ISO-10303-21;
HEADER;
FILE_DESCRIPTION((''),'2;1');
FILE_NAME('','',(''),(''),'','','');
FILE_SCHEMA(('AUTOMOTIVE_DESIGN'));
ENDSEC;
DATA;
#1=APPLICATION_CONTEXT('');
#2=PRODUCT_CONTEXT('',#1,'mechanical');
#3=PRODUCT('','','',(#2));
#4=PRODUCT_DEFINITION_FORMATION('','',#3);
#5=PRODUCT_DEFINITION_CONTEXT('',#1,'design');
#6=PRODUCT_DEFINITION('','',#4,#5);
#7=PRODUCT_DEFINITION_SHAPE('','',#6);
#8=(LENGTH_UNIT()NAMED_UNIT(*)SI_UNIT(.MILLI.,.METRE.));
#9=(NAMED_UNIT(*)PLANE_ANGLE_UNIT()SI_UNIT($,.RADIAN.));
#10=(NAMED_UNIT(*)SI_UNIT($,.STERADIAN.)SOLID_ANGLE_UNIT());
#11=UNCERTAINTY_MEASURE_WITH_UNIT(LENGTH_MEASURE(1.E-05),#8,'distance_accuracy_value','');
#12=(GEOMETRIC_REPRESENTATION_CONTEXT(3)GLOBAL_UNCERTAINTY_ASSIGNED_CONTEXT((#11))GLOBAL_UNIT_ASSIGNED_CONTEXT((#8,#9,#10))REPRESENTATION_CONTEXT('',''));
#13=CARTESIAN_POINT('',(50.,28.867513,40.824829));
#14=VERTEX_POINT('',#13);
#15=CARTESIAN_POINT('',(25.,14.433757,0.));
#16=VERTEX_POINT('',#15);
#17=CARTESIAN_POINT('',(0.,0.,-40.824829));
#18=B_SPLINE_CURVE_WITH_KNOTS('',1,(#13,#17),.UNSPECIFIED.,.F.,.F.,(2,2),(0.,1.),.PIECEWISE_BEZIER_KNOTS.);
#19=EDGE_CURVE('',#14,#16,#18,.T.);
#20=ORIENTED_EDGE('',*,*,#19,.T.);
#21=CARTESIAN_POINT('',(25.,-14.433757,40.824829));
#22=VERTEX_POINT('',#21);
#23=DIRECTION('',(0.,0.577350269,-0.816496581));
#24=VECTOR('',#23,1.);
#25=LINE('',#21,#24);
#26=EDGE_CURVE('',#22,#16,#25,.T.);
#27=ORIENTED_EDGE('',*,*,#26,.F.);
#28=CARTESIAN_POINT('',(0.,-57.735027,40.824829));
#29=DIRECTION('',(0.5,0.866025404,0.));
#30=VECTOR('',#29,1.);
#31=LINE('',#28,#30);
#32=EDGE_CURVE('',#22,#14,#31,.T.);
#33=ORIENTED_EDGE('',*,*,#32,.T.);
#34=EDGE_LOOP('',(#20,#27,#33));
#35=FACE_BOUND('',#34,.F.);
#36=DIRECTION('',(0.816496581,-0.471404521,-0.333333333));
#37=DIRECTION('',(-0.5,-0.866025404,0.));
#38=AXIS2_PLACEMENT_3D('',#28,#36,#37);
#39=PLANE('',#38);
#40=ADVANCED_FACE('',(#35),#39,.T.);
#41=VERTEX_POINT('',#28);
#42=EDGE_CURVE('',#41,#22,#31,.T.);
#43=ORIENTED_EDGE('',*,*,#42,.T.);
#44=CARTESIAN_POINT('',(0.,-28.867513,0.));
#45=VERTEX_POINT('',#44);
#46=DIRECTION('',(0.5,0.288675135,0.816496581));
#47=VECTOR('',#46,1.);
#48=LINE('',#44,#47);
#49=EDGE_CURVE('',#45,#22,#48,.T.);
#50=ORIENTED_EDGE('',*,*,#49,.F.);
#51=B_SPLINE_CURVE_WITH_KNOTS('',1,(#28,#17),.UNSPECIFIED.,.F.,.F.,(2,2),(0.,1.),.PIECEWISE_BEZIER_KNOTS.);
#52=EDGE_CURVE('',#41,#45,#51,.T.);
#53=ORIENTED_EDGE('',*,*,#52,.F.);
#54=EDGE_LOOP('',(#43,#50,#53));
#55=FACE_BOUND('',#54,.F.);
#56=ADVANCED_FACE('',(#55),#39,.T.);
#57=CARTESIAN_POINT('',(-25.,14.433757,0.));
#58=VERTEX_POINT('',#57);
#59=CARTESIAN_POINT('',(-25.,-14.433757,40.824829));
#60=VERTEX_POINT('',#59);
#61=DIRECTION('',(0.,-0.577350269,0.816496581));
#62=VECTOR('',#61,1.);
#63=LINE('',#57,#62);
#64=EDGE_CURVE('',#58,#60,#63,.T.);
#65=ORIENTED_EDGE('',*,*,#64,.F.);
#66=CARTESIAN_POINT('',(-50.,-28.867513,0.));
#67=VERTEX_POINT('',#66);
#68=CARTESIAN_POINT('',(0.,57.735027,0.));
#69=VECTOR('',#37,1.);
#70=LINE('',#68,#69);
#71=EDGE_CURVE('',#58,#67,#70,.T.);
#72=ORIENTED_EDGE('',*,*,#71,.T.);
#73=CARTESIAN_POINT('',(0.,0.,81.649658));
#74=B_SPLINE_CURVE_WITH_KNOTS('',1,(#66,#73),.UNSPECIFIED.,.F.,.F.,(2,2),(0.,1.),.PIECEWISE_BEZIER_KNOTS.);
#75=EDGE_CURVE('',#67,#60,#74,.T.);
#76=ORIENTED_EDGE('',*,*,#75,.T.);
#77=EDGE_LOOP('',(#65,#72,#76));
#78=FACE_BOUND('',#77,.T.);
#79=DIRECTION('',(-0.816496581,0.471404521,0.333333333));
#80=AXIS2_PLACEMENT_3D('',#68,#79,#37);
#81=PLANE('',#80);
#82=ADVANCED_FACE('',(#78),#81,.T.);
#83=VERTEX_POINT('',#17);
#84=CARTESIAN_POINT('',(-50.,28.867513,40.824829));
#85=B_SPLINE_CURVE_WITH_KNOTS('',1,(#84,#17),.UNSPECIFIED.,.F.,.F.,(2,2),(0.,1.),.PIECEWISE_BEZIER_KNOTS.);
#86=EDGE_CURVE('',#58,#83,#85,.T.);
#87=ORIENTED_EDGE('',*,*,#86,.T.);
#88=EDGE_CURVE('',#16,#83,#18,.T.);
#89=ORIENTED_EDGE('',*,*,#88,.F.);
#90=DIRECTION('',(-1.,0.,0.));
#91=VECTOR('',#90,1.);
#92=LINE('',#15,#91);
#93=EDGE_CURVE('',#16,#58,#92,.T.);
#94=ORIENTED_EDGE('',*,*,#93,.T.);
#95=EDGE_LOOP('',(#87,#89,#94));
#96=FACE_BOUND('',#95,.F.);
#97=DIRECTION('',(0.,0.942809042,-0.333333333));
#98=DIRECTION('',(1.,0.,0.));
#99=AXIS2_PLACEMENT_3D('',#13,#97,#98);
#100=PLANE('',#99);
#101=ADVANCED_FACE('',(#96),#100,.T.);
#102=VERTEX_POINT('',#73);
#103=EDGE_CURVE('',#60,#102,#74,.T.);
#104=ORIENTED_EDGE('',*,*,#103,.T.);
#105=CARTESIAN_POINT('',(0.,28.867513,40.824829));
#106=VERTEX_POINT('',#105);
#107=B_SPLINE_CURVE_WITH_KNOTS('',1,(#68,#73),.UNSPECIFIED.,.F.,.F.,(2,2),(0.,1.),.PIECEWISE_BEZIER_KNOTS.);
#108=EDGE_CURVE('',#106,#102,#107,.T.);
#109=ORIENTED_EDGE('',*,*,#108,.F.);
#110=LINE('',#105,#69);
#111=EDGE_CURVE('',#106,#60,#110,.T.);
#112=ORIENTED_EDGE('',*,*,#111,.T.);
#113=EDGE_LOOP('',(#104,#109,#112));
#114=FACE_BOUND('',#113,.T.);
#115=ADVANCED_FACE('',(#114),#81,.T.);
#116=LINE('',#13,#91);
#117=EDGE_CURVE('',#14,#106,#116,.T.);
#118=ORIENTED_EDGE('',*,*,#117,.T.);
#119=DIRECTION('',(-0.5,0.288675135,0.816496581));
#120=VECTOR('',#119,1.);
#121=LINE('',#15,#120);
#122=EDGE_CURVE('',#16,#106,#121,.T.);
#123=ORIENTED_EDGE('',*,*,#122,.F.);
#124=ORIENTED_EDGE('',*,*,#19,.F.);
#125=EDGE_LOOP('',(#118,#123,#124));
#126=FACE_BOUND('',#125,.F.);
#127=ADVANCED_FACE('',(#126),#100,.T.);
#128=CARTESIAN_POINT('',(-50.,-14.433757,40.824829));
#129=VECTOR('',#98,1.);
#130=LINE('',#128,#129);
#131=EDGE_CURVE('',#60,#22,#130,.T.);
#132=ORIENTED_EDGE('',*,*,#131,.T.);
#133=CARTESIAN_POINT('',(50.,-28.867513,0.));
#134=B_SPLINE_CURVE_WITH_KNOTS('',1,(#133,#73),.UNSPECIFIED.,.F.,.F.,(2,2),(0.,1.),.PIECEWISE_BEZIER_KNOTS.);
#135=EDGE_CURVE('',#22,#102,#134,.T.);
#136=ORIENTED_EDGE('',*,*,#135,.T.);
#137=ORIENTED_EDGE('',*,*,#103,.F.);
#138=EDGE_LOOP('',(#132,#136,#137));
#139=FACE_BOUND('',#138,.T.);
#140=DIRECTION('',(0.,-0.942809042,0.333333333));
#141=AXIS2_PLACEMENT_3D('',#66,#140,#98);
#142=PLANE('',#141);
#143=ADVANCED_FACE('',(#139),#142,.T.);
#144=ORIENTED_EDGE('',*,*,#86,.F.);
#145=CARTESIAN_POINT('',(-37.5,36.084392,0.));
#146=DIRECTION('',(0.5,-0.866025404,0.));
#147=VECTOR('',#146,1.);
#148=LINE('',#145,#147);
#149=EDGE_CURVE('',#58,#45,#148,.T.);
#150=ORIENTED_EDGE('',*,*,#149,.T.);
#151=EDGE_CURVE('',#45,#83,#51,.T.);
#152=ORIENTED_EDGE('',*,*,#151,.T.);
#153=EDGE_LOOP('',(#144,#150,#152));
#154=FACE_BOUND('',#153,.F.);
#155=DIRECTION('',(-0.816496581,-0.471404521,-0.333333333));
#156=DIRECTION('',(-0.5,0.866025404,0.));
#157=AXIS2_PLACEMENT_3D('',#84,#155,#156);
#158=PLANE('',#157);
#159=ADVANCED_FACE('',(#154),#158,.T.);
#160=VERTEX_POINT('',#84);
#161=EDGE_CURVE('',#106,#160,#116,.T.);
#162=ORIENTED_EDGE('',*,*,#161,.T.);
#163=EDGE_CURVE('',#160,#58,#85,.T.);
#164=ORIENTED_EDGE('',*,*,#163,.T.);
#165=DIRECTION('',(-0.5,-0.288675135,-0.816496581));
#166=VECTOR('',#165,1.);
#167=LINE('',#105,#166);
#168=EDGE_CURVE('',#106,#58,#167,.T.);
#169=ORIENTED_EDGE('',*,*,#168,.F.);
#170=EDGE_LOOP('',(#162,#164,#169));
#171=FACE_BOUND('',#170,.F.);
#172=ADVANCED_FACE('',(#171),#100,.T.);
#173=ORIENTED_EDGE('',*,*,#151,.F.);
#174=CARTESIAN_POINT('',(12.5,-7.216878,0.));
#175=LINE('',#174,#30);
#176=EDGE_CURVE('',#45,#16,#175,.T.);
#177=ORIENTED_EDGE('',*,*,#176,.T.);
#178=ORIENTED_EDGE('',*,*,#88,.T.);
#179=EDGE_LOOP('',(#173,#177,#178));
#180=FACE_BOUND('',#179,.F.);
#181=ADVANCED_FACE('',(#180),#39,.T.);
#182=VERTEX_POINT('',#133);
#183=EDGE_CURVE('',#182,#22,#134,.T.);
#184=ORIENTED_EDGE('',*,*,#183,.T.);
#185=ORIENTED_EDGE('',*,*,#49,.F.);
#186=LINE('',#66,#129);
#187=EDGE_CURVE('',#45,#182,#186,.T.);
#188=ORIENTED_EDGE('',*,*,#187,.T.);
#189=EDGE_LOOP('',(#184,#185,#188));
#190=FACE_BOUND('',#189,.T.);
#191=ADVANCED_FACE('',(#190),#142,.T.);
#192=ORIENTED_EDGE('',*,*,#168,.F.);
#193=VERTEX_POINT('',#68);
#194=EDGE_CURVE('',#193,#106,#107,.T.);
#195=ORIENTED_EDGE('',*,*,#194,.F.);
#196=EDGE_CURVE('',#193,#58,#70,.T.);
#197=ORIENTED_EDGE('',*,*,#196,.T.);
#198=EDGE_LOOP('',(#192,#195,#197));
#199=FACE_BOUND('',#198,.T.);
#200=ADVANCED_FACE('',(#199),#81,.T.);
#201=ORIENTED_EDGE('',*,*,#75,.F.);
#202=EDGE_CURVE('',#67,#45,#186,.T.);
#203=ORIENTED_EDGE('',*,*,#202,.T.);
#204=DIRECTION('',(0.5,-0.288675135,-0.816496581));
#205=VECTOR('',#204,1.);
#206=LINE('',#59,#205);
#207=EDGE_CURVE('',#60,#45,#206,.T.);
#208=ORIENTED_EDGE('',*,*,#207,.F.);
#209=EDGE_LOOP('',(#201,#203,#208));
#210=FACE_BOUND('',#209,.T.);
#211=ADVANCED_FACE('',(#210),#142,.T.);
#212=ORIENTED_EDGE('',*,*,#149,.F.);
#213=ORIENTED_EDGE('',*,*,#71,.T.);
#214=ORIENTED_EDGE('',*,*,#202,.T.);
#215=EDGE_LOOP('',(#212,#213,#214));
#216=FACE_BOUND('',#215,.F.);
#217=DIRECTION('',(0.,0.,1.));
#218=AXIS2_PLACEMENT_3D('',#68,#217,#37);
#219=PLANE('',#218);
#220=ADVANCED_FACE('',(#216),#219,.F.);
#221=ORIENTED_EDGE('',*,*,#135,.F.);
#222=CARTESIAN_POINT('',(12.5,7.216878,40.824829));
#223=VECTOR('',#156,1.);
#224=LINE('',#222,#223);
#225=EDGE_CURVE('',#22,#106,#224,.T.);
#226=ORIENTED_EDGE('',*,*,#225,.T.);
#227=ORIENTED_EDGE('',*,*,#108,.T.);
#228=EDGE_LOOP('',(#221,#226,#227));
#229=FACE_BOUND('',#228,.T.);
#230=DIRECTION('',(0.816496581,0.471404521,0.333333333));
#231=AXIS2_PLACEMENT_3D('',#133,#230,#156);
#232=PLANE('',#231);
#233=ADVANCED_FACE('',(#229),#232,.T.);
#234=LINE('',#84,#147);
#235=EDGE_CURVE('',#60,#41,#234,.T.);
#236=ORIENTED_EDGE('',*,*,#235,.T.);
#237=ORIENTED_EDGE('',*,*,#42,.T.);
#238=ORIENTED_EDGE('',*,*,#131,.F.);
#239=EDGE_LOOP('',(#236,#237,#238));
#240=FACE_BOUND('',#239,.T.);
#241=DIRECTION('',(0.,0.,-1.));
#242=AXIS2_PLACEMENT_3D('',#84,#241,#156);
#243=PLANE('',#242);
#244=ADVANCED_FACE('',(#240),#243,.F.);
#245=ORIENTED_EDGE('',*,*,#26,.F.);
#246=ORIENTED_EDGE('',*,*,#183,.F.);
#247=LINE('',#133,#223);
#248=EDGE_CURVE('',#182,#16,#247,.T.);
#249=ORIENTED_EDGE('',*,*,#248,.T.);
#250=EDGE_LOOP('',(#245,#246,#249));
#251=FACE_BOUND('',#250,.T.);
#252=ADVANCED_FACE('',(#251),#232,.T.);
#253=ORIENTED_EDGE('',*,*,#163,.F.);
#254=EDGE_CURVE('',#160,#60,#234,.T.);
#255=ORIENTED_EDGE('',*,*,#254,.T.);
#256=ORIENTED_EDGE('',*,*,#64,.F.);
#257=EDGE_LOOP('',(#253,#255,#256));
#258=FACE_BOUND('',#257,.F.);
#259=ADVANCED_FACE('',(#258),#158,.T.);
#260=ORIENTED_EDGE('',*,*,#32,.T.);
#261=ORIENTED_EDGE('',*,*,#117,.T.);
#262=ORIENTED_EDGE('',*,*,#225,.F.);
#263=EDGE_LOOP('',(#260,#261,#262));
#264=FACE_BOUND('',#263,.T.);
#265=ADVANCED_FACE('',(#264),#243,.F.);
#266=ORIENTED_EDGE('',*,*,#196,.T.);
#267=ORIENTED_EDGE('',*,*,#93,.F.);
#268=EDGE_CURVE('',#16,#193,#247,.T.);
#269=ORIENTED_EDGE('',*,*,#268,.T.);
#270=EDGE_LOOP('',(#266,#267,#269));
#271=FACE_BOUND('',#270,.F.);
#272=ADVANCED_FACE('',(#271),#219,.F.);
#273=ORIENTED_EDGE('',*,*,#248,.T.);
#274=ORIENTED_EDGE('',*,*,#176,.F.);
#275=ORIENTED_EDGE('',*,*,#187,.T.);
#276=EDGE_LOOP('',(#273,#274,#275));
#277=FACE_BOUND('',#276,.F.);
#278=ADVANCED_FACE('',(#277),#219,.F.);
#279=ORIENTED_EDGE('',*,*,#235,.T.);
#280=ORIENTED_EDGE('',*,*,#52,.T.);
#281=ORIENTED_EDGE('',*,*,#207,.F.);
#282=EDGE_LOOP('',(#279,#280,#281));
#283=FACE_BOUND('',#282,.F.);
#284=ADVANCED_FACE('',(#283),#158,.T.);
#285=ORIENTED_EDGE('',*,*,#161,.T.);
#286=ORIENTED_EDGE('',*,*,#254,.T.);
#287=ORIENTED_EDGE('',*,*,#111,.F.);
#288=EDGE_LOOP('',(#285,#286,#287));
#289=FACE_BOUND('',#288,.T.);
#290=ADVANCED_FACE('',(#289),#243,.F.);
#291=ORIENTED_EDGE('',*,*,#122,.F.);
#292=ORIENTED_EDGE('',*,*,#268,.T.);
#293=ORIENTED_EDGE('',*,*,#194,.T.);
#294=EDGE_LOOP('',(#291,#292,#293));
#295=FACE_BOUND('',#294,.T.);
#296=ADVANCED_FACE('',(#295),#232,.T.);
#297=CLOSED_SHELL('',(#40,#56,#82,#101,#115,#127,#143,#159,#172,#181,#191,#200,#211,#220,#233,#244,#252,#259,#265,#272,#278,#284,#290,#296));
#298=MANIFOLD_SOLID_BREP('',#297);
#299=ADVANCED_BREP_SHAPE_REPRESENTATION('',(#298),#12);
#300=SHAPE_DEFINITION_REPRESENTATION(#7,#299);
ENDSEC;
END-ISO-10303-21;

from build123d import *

# Parameters (mm, degrees)
F8_ANGLE = 60


with BuildPart() as f2:
    # F0 (on Top) → F2 section 0
    with BuildSketch(Plane.XY, mode=Mode.PRIVATE) as f2_s0:
        Polygon((0, 57.735026919), (-50, -28.8675134595), (50, -28.8675134595), align=None)
    loft([f2_s0.sketch, Vertex(0, 0, 81.6496580928)])


with BuildPart() as f7_1:
    # F7: instance of F2
    add(f2.part.mirror(Plane.XY))


with BuildPart() as f7_1_1:
    # F8: moved
    add(f7_1.part.rotate(Axis((0, 0, 40.8248290464), (0, 0, 1)), F8_ANGLE))


with BuildPart() as f7_1_2:
    # F10: moved
    add(f7_1_1.part.moved(Location((0, 0, 40.8248290464))))

    # F11: union F2
    add(f2.part)


solid = f7_1_2.part
